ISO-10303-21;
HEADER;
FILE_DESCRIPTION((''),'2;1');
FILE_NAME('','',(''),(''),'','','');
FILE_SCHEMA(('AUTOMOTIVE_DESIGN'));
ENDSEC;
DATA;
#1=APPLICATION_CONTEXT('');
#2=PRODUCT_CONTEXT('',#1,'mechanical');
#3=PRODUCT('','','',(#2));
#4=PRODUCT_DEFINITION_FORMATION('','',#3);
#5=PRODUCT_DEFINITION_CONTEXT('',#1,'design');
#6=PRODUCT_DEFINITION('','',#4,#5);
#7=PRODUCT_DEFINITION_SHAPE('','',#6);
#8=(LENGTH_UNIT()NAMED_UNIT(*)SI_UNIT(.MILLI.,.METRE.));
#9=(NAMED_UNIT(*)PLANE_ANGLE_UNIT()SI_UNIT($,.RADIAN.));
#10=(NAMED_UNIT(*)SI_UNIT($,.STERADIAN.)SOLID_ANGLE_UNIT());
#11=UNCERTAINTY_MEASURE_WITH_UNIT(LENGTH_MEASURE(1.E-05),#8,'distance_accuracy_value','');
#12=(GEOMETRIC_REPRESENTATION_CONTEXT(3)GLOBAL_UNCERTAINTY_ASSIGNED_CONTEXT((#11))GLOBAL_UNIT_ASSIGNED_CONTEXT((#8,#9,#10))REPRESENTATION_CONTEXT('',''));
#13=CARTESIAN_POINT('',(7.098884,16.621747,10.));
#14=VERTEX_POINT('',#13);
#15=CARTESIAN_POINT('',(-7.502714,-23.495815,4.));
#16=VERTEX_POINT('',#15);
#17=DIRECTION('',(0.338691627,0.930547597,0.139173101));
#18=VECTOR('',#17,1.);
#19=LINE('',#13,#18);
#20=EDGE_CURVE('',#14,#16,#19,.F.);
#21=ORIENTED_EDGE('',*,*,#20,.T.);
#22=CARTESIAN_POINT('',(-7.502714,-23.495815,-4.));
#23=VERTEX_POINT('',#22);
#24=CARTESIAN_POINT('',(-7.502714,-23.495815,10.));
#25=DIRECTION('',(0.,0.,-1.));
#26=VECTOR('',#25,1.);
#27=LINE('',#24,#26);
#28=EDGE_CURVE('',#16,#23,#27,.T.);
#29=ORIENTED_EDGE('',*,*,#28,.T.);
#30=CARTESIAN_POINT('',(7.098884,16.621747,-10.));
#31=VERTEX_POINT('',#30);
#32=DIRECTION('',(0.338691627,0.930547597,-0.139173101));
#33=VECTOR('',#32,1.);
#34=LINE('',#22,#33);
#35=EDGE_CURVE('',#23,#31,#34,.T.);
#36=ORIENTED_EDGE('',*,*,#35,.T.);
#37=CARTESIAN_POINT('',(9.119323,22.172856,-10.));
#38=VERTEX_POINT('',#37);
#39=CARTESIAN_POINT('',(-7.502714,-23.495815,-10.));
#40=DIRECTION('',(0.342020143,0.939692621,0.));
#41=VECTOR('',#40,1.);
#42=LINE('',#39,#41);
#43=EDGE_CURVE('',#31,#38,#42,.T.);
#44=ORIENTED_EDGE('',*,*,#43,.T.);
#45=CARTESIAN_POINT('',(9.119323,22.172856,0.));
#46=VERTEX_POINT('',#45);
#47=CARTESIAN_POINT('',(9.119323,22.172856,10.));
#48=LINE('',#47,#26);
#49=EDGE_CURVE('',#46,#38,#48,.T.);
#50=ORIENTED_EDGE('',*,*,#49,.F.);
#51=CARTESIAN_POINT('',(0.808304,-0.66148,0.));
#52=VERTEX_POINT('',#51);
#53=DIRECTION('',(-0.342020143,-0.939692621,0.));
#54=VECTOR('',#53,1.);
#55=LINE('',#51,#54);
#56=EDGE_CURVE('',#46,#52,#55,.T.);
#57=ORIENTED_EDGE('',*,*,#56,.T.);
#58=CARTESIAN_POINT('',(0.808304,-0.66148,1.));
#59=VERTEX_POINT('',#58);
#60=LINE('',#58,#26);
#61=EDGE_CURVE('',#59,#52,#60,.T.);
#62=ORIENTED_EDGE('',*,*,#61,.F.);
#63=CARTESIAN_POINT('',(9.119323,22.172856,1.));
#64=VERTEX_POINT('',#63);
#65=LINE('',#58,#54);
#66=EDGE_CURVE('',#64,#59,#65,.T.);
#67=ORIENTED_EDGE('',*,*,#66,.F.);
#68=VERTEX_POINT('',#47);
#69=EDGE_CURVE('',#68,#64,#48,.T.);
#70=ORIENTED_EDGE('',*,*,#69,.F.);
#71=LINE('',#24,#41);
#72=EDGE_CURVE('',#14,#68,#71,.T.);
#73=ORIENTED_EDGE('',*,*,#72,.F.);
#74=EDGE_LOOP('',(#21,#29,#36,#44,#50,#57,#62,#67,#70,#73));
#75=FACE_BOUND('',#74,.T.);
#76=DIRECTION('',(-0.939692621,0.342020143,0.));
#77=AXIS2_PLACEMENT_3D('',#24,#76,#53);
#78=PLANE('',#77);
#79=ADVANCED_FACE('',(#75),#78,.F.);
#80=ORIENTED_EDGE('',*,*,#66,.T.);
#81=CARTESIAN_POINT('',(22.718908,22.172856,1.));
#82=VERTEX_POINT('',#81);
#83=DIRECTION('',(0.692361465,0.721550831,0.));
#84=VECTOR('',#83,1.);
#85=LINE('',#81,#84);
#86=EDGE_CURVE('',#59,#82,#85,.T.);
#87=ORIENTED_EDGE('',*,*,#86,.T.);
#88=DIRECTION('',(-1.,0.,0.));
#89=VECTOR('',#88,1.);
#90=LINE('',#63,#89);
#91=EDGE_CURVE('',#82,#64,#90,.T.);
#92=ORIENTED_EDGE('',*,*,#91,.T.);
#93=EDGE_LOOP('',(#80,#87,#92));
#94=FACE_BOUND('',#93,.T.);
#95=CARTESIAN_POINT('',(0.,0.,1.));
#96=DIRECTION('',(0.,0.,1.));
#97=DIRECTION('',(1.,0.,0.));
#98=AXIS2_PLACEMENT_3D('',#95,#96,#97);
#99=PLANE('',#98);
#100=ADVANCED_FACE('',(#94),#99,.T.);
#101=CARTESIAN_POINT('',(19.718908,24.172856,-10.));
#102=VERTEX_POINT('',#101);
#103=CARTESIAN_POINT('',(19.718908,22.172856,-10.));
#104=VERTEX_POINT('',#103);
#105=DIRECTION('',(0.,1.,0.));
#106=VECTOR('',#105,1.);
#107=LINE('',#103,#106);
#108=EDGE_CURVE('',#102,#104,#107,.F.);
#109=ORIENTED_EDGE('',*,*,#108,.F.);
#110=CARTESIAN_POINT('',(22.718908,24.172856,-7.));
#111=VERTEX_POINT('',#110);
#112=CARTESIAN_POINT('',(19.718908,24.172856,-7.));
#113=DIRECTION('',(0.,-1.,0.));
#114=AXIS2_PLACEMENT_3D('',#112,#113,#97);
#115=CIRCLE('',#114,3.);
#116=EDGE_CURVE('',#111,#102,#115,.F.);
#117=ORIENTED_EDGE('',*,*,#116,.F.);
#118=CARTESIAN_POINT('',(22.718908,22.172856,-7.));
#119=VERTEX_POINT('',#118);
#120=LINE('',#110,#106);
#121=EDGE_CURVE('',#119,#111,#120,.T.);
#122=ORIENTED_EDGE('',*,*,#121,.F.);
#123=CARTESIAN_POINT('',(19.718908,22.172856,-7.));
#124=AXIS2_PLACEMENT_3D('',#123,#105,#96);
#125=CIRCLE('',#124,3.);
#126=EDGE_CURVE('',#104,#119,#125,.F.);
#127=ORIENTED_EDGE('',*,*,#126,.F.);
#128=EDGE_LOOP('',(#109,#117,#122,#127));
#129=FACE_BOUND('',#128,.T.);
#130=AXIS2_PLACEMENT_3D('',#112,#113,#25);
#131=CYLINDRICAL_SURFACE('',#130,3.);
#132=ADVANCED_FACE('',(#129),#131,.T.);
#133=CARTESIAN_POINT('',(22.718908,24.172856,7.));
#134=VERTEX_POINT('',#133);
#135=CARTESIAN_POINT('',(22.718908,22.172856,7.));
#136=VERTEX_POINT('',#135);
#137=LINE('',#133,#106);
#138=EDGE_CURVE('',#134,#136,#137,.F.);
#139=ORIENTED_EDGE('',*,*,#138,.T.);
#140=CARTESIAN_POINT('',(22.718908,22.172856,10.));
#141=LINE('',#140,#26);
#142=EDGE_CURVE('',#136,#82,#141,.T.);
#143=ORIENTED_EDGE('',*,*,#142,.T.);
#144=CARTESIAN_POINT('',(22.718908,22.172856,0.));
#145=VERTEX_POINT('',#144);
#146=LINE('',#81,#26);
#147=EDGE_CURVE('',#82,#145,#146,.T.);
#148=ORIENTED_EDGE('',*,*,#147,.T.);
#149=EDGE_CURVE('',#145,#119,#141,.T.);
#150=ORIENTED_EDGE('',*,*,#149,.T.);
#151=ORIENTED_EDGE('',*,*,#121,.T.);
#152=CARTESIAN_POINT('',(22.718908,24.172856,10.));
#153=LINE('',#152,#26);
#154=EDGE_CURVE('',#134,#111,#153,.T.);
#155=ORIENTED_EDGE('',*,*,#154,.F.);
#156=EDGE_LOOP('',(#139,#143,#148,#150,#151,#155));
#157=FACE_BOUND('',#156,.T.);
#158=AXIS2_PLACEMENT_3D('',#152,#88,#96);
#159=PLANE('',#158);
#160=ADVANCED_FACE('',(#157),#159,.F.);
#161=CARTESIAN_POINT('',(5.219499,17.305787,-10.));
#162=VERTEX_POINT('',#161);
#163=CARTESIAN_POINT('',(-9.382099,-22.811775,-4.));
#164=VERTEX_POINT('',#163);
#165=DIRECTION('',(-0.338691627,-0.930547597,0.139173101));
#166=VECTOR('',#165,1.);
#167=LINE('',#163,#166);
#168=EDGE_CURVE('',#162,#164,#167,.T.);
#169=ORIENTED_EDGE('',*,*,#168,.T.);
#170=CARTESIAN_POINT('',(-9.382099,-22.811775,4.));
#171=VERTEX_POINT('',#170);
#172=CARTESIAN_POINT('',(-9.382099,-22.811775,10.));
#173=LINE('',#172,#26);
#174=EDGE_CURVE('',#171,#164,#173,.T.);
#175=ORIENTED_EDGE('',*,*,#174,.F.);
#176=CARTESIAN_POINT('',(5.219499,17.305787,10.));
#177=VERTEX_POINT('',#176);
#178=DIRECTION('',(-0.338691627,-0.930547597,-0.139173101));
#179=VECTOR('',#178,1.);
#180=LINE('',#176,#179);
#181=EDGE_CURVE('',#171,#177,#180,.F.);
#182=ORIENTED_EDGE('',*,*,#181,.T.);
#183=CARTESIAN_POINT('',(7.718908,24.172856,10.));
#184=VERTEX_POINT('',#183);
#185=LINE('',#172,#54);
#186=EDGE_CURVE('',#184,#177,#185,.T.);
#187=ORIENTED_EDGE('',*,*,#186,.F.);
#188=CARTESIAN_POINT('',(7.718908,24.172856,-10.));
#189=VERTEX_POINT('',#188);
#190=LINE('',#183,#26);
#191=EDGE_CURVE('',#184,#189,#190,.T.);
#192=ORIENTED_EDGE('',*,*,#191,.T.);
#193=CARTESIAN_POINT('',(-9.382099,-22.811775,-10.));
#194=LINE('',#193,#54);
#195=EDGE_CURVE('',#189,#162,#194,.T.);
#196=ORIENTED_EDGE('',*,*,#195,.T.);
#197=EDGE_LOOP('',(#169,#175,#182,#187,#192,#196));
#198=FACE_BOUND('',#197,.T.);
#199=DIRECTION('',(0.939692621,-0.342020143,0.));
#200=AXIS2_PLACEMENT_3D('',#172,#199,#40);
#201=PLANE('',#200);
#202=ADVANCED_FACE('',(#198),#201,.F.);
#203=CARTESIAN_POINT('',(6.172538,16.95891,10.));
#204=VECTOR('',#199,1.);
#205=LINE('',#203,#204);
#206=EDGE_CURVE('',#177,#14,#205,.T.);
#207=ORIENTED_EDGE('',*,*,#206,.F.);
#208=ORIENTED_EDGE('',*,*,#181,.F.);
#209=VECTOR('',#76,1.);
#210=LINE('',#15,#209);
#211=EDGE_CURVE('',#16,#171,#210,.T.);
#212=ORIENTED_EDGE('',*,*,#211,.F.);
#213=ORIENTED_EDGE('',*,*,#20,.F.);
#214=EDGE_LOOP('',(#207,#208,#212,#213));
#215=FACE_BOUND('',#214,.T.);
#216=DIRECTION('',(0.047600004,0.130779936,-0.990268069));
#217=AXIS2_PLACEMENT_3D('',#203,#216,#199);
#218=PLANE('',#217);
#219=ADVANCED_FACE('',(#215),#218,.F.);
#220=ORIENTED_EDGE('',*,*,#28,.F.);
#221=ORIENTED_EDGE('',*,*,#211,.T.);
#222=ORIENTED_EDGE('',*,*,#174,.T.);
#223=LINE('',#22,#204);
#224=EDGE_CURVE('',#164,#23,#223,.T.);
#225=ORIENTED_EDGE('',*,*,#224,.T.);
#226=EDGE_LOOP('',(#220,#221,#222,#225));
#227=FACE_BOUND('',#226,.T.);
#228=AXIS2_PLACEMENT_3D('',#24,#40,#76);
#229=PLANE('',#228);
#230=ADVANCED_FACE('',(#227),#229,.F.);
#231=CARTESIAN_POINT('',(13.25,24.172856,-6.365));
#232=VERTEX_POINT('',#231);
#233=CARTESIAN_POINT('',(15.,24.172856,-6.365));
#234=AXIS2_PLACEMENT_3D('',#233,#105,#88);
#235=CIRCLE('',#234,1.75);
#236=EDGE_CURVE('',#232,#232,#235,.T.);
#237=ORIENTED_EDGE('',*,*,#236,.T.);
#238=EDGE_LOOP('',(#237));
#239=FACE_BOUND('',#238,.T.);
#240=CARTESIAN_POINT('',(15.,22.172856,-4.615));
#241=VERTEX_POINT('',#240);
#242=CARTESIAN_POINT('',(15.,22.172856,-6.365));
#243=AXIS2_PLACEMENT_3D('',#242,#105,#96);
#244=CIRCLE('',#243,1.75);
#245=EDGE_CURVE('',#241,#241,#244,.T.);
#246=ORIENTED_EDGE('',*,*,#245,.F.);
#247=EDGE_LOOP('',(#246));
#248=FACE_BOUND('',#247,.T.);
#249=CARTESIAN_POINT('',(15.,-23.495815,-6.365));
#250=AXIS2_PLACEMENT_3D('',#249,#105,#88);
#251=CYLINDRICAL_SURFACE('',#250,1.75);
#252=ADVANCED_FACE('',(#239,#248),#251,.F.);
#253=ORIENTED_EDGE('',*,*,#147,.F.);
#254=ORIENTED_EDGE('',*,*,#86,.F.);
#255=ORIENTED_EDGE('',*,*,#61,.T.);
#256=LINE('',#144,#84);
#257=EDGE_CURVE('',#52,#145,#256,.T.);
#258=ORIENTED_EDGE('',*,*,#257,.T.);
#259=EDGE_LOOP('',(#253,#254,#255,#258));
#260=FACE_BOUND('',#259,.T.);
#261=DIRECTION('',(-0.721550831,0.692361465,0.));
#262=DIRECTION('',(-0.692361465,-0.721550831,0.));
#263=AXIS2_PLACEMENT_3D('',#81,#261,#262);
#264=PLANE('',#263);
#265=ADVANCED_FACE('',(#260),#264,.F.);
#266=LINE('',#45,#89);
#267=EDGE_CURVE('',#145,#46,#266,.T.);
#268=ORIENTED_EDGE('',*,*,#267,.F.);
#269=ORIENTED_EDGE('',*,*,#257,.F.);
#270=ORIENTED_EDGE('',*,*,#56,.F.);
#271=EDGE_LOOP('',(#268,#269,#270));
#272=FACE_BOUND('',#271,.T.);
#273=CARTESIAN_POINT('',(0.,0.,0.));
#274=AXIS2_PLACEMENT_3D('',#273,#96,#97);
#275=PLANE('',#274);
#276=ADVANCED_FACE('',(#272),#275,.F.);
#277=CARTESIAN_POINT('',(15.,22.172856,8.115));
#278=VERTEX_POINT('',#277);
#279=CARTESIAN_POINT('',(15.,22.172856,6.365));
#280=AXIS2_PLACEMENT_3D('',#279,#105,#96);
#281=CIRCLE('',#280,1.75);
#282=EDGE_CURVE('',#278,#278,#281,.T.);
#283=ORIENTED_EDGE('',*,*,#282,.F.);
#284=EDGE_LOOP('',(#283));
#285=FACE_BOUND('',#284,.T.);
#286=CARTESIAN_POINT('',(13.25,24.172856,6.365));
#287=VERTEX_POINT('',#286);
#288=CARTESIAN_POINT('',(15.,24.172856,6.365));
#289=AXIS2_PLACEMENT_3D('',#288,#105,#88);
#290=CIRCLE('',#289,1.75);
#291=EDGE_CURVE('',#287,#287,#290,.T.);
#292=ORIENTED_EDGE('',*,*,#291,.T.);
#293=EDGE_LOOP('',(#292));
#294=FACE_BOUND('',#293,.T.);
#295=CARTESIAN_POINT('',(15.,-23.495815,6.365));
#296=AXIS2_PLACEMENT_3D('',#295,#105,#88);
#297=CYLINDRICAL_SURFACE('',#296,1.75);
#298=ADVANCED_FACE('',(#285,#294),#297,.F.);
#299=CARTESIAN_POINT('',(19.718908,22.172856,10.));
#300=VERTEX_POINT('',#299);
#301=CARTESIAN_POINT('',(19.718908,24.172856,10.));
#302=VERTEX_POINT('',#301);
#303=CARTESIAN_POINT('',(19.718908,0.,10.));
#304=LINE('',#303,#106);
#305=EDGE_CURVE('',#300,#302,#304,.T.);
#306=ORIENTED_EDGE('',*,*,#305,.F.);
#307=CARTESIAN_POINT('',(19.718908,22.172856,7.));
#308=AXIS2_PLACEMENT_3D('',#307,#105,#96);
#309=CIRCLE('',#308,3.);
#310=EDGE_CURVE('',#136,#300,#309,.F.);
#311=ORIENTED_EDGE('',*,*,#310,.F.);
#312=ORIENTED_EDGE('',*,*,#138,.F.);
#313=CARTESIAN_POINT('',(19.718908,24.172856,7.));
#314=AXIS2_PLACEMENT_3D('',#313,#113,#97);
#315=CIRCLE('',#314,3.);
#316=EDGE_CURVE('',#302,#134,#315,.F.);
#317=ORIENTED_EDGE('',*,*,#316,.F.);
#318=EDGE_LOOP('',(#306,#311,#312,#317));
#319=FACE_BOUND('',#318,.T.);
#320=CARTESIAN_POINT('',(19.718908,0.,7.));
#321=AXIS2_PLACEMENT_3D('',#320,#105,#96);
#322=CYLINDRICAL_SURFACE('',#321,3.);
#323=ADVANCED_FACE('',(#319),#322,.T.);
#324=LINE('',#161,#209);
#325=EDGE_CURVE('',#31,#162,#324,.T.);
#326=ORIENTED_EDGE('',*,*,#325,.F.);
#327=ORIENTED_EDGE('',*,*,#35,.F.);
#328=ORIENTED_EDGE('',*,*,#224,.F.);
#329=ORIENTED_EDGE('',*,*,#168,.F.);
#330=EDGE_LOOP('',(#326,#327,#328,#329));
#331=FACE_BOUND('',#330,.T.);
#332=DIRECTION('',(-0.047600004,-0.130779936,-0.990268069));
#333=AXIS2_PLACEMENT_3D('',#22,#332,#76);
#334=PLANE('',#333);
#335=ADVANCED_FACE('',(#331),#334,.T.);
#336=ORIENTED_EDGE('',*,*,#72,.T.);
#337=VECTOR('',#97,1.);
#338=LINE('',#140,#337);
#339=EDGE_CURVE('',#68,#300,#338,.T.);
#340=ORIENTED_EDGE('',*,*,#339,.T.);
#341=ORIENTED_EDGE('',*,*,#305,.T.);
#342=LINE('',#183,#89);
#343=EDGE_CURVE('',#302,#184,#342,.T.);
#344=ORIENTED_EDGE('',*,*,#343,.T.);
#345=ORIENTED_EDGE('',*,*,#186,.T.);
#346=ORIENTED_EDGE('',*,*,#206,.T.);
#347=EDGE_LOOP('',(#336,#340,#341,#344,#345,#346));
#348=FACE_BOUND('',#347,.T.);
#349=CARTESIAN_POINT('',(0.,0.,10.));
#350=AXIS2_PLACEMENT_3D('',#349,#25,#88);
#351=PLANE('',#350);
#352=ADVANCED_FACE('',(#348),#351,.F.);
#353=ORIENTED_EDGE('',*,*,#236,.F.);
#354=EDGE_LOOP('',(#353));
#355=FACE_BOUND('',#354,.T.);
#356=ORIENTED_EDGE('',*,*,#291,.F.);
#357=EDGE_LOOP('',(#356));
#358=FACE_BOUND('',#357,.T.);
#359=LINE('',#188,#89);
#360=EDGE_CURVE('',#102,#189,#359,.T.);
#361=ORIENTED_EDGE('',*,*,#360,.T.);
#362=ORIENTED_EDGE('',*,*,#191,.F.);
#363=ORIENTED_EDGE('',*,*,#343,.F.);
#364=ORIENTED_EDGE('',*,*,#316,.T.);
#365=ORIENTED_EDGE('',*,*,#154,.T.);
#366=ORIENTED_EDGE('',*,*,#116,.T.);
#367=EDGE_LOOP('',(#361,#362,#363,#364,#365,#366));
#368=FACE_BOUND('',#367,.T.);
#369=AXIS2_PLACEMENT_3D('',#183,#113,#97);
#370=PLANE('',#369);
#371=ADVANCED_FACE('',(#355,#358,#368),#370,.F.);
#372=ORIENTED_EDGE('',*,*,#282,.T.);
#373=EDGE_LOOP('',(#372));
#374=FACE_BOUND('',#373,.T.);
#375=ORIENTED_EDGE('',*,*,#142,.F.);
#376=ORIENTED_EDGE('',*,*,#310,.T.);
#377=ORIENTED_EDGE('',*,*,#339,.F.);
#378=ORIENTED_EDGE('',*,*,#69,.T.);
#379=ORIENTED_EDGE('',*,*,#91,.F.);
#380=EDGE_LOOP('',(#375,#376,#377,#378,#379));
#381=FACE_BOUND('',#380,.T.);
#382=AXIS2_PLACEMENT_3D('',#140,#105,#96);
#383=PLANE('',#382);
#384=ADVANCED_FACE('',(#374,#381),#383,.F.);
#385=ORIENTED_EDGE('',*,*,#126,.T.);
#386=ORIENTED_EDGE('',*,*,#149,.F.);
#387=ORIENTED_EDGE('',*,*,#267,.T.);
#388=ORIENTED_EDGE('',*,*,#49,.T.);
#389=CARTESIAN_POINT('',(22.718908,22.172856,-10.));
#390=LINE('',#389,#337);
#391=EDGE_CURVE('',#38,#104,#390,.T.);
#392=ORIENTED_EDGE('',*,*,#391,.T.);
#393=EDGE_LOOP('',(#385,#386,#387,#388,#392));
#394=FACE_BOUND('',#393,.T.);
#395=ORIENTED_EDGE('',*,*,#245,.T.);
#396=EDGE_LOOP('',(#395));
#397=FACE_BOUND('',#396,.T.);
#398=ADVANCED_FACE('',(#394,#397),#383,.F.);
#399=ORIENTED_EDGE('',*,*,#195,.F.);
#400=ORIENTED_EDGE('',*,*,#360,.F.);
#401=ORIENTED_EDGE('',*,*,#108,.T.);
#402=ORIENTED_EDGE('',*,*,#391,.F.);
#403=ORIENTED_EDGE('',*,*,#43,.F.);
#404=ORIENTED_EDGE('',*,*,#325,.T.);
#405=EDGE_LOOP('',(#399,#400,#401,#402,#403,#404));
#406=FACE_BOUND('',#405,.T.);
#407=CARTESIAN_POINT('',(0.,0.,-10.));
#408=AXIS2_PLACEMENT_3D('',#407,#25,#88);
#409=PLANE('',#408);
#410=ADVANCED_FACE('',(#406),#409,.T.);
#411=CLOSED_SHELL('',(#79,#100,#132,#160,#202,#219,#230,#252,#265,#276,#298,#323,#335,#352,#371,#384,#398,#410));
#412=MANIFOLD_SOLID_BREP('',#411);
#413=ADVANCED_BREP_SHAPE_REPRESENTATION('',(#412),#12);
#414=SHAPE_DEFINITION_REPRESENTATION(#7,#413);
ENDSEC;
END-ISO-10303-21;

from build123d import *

# Parameters (mm, degrees)
BOSS_EXTRUDE1_DEPTH = 10
BOSS_EXTRUDE2_DEPTH = 1
CHAMFER1_SIZE       = 6
CHAMFER1_SIZE2      = 42.692218334
SKETCH3_R           = 1.75
CUT_EXTRUDE1_DEPTH  = 48.668671326
FILLET1_R           = 3


with BuildPart() as part:
    # Sketch1 → Boss-Extrude1 (new body, symmetric)
    with BuildSketch(Plane.XY):
        Polygon((-7.502714215, -23.495815343), (-9.382099457, -22.811775057), (7.71890771, 24.172855983), (22.71890771, 24.172855983), (22.71890771, 22.172855983), (9.119322786, 22.172855983), align=None)
    extrude(amount=BOSS_EXTRUDE1_DEPTH, both=True)

    # Sketch2 → Boss-Extrude2 (add)
    with BuildSketch(Plane.XY):
        Polygon((22.71890771, 22.172855983), (0.808304286, -0.66147968), (9.119322786, 22.172855983), align=None)
    extrude(amount=BOSS_EXTRUDE2_DEPTH)

    # Chamfer1
    chamfer1_edges = [part.edges().sort_by_distance(p)[0] for p in [
        (-8.442406836, -23.1537952, 10),
        (-8.442406836, -23.1537952, -10),
    ]]
    chamfer1_side = [part.faces().sort_by_distance(p)[0] for p in [
        (-8.442406836, -23.1537952, 0),
    ]]
    chamfer(chamfer1_edges, length=CHAMFER1_SIZE, length2=CHAMFER1_SIZE2, reference=chamfer1_side[0])

    # Sketch3 → Cut-Extrude1 (cut, through all)
    with BuildSketch(Plane(origin=(0, 24.172855983, 0), x_dir=(1, 0, 0), z_dir=(0, 1, 0))):
        with Locations((15, 6.365)):
            Circle(SKETCH3_R)
        with Locations((15, -6.365)):
            Circle(SKETCH3_R)
    extrude(amount=-CUT_EXTRUDE1_DEPTH, mode=Mode.SUBTRACT)

    # Fillet1
    fillet1_edges = [part.edges().sort_by_distance(p)[0] for p in [
        (22.71890771, 23.172855983, 10),
        (22.71890771, 23.172855983, -10),
    ]]
    fillet(fillet1_edges, radius=FILLET1_R)


solid = part.part
